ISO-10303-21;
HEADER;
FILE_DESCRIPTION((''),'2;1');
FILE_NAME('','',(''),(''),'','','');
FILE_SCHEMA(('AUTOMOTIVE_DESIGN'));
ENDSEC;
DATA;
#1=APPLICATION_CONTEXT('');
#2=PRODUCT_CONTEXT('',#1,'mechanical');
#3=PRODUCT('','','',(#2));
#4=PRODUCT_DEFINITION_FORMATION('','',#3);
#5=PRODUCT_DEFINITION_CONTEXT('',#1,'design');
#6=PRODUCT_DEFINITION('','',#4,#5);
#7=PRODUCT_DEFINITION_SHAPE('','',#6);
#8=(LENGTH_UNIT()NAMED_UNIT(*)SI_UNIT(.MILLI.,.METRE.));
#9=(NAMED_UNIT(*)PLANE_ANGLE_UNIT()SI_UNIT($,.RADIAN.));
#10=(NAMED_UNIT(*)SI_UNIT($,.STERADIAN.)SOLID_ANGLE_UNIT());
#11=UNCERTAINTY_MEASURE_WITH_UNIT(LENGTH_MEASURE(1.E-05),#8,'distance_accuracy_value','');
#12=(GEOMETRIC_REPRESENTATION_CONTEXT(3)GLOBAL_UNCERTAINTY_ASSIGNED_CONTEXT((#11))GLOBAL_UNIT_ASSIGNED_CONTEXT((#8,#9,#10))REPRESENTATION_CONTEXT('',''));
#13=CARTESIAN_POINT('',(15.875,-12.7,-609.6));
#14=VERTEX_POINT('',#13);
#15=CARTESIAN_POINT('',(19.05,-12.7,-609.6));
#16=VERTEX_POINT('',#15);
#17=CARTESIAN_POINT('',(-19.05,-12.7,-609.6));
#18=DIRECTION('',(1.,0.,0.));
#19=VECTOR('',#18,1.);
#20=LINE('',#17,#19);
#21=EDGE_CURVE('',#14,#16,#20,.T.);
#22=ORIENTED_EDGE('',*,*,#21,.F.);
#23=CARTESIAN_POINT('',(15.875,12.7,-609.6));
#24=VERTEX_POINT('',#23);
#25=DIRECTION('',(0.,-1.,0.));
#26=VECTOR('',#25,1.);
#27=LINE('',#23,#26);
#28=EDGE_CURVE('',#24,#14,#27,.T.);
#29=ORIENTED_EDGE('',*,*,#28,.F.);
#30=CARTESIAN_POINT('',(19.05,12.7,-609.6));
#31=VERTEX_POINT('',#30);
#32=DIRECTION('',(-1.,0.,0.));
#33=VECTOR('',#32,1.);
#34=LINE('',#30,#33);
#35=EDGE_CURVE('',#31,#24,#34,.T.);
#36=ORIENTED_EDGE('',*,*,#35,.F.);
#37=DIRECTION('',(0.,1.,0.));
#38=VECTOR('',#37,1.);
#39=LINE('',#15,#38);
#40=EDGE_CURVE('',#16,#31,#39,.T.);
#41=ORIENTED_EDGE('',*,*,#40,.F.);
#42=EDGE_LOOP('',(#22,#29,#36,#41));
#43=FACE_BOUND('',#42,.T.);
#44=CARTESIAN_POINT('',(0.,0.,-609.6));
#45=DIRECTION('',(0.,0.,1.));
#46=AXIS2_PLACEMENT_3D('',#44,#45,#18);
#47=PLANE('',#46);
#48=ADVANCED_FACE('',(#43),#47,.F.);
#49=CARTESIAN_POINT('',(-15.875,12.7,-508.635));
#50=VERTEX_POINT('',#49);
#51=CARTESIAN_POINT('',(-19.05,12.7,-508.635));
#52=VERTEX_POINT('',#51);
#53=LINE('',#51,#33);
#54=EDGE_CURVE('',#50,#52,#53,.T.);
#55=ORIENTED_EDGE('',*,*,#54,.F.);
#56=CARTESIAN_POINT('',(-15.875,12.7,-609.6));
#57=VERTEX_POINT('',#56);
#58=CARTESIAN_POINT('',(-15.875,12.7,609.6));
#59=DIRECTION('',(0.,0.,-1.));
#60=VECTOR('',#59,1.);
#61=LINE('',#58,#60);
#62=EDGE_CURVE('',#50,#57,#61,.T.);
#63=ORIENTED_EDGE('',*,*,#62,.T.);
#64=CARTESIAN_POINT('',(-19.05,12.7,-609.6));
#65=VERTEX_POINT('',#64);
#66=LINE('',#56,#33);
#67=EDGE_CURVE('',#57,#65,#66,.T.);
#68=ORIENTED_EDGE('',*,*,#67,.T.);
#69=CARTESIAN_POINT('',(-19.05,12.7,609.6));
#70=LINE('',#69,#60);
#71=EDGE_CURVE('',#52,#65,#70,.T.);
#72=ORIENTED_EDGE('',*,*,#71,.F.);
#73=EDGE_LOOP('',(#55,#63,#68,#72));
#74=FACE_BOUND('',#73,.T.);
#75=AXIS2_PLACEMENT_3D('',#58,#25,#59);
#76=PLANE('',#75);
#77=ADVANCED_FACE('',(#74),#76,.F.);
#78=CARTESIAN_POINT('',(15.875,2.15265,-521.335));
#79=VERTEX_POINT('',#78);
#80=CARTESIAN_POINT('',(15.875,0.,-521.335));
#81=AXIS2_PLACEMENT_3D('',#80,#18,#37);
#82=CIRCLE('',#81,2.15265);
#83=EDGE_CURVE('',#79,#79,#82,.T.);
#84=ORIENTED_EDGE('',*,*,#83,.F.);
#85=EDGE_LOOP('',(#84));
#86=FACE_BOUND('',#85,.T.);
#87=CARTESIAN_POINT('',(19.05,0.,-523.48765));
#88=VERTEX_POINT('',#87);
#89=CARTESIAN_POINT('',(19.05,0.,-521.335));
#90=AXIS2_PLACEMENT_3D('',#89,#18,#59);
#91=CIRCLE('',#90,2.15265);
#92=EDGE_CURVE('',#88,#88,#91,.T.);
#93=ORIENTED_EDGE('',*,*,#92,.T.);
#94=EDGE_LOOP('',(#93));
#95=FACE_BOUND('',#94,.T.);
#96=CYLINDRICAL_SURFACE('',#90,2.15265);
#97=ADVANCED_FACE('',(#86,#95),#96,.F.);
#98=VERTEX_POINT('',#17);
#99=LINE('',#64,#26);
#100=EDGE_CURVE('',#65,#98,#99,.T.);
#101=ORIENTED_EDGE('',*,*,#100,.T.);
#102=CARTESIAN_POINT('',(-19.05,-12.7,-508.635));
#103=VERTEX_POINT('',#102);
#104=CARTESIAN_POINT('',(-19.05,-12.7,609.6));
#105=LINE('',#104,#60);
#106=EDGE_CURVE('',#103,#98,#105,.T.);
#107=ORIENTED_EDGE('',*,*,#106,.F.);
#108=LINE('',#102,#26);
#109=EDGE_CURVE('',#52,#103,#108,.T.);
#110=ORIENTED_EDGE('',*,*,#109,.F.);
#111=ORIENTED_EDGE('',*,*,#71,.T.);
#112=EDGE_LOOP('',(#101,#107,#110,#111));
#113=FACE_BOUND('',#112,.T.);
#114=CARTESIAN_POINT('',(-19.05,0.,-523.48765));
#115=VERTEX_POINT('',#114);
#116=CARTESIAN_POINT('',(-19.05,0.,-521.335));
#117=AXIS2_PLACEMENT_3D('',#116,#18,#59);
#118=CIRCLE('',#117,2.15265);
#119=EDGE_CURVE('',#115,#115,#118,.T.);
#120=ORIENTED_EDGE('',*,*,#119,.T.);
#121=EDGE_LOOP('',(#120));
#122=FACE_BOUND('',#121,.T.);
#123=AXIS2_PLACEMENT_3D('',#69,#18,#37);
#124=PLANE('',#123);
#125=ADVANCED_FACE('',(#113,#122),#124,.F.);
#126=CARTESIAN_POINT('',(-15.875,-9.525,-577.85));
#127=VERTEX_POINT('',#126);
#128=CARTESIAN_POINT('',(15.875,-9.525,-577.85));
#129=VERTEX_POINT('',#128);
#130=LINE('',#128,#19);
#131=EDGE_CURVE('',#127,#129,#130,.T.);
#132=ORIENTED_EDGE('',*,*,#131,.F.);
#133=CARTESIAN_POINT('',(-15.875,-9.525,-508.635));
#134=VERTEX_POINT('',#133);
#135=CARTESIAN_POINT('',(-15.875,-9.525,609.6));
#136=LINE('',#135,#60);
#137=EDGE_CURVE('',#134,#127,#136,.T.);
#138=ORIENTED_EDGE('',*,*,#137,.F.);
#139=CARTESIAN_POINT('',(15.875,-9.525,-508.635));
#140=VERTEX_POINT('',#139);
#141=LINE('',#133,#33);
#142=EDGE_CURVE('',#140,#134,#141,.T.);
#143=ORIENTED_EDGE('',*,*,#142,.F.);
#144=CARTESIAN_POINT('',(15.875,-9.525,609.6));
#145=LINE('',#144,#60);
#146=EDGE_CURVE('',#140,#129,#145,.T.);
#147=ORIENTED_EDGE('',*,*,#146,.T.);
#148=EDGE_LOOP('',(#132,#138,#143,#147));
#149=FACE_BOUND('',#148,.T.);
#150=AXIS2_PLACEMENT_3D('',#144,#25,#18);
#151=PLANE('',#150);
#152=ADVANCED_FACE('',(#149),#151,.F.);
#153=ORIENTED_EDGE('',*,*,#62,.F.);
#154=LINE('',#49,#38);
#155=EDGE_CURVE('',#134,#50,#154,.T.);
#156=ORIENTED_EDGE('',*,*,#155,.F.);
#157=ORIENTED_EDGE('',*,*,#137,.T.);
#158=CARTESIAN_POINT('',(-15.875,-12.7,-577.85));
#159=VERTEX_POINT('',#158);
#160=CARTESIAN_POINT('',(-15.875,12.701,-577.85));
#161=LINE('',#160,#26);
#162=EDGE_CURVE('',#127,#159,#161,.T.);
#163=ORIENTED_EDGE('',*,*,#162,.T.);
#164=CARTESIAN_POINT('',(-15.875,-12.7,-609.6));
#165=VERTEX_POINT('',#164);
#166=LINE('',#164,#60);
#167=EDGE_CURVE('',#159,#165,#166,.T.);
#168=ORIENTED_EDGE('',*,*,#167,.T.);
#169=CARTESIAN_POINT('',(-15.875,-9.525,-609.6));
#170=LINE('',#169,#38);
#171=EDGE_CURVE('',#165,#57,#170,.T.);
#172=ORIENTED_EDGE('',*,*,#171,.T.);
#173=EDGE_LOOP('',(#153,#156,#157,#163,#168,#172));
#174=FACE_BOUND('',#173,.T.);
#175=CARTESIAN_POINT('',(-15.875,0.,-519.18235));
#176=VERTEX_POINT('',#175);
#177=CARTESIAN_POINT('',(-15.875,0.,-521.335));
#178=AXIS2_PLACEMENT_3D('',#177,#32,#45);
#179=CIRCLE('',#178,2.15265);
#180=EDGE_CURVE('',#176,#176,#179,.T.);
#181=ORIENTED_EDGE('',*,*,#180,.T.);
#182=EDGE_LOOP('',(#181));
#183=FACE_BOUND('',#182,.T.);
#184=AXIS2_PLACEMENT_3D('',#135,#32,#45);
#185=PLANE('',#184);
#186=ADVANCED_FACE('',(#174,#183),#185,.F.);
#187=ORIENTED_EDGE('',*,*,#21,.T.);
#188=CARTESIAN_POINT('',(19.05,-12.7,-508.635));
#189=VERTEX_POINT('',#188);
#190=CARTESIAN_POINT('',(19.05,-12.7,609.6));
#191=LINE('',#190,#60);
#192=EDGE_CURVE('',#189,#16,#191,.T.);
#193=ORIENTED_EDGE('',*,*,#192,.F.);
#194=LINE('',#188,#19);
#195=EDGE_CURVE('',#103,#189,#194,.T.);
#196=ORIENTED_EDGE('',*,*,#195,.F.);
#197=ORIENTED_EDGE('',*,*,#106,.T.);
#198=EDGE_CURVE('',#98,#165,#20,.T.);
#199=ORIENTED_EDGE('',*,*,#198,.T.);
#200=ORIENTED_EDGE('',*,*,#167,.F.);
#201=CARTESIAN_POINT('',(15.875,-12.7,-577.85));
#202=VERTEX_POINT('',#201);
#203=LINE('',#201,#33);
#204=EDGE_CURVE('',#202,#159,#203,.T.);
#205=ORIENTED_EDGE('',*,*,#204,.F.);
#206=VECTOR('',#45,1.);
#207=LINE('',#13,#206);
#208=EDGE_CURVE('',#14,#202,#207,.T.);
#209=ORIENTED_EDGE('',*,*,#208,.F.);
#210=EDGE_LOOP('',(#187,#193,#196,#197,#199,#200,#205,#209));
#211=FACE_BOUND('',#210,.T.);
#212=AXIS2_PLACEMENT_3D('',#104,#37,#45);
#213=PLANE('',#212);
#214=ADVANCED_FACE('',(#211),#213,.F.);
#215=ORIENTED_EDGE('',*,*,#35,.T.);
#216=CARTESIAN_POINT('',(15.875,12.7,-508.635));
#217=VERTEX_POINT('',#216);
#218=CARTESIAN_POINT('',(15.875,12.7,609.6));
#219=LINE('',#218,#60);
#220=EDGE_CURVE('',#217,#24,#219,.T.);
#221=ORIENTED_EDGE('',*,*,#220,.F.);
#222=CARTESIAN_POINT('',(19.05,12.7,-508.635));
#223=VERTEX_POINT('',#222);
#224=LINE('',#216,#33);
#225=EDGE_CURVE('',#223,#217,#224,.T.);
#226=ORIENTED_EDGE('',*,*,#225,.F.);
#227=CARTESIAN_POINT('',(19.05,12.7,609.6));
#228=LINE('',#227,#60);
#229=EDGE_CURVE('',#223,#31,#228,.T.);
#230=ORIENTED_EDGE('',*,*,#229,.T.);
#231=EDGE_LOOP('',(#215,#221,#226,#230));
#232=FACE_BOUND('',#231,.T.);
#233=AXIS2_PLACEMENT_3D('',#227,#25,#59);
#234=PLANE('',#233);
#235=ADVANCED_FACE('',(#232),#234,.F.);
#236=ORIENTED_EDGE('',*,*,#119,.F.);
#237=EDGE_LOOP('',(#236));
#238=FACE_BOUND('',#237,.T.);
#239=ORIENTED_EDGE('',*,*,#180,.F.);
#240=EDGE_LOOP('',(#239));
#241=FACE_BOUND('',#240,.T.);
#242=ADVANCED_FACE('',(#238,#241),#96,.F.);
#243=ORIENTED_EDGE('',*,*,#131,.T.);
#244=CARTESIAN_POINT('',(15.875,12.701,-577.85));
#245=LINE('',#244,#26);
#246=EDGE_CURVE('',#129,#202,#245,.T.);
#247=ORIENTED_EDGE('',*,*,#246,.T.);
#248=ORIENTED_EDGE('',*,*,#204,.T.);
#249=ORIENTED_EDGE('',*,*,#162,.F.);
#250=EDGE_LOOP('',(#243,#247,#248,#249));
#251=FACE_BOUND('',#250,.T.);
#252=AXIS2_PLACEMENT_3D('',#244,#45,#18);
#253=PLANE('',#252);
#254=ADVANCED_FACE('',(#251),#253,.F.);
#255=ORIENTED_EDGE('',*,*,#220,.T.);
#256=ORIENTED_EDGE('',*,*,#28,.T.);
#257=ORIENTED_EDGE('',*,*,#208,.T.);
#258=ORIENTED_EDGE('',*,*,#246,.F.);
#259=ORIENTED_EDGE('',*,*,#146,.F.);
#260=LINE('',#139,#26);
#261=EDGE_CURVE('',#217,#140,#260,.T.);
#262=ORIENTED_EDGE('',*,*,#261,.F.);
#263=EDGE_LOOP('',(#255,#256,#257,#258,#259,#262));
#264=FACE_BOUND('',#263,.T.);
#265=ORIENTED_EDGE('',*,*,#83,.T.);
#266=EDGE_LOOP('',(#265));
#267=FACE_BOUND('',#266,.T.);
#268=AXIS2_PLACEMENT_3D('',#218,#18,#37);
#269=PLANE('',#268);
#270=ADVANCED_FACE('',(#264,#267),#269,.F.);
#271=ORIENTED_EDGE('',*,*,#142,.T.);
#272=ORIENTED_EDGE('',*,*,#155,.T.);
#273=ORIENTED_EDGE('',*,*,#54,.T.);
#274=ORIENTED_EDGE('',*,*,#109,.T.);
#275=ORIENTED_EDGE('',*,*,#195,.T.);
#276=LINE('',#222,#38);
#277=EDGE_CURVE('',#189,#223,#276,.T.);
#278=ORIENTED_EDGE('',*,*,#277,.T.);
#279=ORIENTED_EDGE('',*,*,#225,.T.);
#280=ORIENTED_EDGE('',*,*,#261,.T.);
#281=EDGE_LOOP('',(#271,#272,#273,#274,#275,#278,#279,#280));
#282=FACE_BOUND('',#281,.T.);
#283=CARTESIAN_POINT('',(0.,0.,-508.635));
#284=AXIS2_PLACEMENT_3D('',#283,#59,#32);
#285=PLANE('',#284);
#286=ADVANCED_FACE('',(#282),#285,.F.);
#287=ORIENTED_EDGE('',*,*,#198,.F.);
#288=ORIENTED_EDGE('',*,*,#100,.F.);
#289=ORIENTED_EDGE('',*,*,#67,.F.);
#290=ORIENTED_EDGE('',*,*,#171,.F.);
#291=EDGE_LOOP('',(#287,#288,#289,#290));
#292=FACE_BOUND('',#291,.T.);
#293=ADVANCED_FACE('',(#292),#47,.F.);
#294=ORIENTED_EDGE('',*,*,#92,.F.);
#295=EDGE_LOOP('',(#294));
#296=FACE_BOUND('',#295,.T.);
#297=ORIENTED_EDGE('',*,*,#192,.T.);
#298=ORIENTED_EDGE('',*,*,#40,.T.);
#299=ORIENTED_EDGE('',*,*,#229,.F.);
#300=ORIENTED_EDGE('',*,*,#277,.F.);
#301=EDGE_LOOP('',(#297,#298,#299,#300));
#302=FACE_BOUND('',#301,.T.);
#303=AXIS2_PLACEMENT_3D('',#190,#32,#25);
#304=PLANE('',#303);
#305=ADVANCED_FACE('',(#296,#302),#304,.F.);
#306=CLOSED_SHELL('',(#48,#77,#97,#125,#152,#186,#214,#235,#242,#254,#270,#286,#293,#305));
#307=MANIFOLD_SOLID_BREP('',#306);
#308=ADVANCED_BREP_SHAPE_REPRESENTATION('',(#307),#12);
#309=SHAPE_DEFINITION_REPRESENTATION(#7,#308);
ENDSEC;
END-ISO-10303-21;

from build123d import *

# Parameters (mm, degrees)
BOSS_EXTRUDE2_DEPTH   = 609.6
CUT_EXTRUDE1_DEPTH    = 1118.235
CUT_EXTRUDE2_REACH    = 612.426
SKETCH6_W             = 31.75
SKETCH6_H             = 31.75
F_6_CLEARANCE_HOLE1_D = 4.3053


with BuildPart() as part:
    # Sketch3 → Boss-Extrude2 (new, symmetric)
    with BuildSketch(Plane.XY):
        Polygon((-19.05, 12.7), (-19.05, -12.7), (19.05, -12.7), (19.05, 12.7), (15.875, 12.7), (15.875, -9.525), (-15.875, -9.525), (-15.875, 12.7), align=None)
    extrude(amount=BOSS_EXTRUDE2_DEPTH, both=True)

    # Sketch5 → Cut-Extrude1 (cut)
    with BuildSketch(Plane.XY.offset(609.6)):
        Polygon((-19.05, 12.7), (-15.875, 12.7), (-15.875, -9.525), (15.875, -9.525), (15.875, 12.7), (19.05, 12.7), (19.05, -12.7), (-19.05, -12.7), align=None)
    extrude(amount=-CUT_EXTRUDE1_DEPTH, mode=Mode.SUBTRACT)

    # Sketch6 → Cut-Extrude2 (cut, up to next)
    with BuildSketch(Plane.XZ.offset(12.7), mode=Mode.PRIVATE) as cut_extrude2_sk1:
        with Locations((0, -593.725)):
            Rectangle(SKETCH6_W, SKETCH6_H)
    cut_extrude2_tool1 = extrude(cut_extrude2_sk1.sketch, amount=-CUT_EXTRUDE2_REACH, mode=Mode.PRIVATE) & part.part
    add(cut_extrude2_tool1.solids().sort_by_distance((0, -12.7, -593.725))[0], mode=Mode.SUBTRACT)

    # #6 Clearance Hole1 (through all)
    with Locations(Plane(origin=(19.05, 0, 0), x_dir=(0, 0, -1), z_dir=(1, 0, 0))):
        with Locations((521.335, 0)):
            Hole(F_6_CLEARANCE_HOLE1_D / 2)


solid = part.part
